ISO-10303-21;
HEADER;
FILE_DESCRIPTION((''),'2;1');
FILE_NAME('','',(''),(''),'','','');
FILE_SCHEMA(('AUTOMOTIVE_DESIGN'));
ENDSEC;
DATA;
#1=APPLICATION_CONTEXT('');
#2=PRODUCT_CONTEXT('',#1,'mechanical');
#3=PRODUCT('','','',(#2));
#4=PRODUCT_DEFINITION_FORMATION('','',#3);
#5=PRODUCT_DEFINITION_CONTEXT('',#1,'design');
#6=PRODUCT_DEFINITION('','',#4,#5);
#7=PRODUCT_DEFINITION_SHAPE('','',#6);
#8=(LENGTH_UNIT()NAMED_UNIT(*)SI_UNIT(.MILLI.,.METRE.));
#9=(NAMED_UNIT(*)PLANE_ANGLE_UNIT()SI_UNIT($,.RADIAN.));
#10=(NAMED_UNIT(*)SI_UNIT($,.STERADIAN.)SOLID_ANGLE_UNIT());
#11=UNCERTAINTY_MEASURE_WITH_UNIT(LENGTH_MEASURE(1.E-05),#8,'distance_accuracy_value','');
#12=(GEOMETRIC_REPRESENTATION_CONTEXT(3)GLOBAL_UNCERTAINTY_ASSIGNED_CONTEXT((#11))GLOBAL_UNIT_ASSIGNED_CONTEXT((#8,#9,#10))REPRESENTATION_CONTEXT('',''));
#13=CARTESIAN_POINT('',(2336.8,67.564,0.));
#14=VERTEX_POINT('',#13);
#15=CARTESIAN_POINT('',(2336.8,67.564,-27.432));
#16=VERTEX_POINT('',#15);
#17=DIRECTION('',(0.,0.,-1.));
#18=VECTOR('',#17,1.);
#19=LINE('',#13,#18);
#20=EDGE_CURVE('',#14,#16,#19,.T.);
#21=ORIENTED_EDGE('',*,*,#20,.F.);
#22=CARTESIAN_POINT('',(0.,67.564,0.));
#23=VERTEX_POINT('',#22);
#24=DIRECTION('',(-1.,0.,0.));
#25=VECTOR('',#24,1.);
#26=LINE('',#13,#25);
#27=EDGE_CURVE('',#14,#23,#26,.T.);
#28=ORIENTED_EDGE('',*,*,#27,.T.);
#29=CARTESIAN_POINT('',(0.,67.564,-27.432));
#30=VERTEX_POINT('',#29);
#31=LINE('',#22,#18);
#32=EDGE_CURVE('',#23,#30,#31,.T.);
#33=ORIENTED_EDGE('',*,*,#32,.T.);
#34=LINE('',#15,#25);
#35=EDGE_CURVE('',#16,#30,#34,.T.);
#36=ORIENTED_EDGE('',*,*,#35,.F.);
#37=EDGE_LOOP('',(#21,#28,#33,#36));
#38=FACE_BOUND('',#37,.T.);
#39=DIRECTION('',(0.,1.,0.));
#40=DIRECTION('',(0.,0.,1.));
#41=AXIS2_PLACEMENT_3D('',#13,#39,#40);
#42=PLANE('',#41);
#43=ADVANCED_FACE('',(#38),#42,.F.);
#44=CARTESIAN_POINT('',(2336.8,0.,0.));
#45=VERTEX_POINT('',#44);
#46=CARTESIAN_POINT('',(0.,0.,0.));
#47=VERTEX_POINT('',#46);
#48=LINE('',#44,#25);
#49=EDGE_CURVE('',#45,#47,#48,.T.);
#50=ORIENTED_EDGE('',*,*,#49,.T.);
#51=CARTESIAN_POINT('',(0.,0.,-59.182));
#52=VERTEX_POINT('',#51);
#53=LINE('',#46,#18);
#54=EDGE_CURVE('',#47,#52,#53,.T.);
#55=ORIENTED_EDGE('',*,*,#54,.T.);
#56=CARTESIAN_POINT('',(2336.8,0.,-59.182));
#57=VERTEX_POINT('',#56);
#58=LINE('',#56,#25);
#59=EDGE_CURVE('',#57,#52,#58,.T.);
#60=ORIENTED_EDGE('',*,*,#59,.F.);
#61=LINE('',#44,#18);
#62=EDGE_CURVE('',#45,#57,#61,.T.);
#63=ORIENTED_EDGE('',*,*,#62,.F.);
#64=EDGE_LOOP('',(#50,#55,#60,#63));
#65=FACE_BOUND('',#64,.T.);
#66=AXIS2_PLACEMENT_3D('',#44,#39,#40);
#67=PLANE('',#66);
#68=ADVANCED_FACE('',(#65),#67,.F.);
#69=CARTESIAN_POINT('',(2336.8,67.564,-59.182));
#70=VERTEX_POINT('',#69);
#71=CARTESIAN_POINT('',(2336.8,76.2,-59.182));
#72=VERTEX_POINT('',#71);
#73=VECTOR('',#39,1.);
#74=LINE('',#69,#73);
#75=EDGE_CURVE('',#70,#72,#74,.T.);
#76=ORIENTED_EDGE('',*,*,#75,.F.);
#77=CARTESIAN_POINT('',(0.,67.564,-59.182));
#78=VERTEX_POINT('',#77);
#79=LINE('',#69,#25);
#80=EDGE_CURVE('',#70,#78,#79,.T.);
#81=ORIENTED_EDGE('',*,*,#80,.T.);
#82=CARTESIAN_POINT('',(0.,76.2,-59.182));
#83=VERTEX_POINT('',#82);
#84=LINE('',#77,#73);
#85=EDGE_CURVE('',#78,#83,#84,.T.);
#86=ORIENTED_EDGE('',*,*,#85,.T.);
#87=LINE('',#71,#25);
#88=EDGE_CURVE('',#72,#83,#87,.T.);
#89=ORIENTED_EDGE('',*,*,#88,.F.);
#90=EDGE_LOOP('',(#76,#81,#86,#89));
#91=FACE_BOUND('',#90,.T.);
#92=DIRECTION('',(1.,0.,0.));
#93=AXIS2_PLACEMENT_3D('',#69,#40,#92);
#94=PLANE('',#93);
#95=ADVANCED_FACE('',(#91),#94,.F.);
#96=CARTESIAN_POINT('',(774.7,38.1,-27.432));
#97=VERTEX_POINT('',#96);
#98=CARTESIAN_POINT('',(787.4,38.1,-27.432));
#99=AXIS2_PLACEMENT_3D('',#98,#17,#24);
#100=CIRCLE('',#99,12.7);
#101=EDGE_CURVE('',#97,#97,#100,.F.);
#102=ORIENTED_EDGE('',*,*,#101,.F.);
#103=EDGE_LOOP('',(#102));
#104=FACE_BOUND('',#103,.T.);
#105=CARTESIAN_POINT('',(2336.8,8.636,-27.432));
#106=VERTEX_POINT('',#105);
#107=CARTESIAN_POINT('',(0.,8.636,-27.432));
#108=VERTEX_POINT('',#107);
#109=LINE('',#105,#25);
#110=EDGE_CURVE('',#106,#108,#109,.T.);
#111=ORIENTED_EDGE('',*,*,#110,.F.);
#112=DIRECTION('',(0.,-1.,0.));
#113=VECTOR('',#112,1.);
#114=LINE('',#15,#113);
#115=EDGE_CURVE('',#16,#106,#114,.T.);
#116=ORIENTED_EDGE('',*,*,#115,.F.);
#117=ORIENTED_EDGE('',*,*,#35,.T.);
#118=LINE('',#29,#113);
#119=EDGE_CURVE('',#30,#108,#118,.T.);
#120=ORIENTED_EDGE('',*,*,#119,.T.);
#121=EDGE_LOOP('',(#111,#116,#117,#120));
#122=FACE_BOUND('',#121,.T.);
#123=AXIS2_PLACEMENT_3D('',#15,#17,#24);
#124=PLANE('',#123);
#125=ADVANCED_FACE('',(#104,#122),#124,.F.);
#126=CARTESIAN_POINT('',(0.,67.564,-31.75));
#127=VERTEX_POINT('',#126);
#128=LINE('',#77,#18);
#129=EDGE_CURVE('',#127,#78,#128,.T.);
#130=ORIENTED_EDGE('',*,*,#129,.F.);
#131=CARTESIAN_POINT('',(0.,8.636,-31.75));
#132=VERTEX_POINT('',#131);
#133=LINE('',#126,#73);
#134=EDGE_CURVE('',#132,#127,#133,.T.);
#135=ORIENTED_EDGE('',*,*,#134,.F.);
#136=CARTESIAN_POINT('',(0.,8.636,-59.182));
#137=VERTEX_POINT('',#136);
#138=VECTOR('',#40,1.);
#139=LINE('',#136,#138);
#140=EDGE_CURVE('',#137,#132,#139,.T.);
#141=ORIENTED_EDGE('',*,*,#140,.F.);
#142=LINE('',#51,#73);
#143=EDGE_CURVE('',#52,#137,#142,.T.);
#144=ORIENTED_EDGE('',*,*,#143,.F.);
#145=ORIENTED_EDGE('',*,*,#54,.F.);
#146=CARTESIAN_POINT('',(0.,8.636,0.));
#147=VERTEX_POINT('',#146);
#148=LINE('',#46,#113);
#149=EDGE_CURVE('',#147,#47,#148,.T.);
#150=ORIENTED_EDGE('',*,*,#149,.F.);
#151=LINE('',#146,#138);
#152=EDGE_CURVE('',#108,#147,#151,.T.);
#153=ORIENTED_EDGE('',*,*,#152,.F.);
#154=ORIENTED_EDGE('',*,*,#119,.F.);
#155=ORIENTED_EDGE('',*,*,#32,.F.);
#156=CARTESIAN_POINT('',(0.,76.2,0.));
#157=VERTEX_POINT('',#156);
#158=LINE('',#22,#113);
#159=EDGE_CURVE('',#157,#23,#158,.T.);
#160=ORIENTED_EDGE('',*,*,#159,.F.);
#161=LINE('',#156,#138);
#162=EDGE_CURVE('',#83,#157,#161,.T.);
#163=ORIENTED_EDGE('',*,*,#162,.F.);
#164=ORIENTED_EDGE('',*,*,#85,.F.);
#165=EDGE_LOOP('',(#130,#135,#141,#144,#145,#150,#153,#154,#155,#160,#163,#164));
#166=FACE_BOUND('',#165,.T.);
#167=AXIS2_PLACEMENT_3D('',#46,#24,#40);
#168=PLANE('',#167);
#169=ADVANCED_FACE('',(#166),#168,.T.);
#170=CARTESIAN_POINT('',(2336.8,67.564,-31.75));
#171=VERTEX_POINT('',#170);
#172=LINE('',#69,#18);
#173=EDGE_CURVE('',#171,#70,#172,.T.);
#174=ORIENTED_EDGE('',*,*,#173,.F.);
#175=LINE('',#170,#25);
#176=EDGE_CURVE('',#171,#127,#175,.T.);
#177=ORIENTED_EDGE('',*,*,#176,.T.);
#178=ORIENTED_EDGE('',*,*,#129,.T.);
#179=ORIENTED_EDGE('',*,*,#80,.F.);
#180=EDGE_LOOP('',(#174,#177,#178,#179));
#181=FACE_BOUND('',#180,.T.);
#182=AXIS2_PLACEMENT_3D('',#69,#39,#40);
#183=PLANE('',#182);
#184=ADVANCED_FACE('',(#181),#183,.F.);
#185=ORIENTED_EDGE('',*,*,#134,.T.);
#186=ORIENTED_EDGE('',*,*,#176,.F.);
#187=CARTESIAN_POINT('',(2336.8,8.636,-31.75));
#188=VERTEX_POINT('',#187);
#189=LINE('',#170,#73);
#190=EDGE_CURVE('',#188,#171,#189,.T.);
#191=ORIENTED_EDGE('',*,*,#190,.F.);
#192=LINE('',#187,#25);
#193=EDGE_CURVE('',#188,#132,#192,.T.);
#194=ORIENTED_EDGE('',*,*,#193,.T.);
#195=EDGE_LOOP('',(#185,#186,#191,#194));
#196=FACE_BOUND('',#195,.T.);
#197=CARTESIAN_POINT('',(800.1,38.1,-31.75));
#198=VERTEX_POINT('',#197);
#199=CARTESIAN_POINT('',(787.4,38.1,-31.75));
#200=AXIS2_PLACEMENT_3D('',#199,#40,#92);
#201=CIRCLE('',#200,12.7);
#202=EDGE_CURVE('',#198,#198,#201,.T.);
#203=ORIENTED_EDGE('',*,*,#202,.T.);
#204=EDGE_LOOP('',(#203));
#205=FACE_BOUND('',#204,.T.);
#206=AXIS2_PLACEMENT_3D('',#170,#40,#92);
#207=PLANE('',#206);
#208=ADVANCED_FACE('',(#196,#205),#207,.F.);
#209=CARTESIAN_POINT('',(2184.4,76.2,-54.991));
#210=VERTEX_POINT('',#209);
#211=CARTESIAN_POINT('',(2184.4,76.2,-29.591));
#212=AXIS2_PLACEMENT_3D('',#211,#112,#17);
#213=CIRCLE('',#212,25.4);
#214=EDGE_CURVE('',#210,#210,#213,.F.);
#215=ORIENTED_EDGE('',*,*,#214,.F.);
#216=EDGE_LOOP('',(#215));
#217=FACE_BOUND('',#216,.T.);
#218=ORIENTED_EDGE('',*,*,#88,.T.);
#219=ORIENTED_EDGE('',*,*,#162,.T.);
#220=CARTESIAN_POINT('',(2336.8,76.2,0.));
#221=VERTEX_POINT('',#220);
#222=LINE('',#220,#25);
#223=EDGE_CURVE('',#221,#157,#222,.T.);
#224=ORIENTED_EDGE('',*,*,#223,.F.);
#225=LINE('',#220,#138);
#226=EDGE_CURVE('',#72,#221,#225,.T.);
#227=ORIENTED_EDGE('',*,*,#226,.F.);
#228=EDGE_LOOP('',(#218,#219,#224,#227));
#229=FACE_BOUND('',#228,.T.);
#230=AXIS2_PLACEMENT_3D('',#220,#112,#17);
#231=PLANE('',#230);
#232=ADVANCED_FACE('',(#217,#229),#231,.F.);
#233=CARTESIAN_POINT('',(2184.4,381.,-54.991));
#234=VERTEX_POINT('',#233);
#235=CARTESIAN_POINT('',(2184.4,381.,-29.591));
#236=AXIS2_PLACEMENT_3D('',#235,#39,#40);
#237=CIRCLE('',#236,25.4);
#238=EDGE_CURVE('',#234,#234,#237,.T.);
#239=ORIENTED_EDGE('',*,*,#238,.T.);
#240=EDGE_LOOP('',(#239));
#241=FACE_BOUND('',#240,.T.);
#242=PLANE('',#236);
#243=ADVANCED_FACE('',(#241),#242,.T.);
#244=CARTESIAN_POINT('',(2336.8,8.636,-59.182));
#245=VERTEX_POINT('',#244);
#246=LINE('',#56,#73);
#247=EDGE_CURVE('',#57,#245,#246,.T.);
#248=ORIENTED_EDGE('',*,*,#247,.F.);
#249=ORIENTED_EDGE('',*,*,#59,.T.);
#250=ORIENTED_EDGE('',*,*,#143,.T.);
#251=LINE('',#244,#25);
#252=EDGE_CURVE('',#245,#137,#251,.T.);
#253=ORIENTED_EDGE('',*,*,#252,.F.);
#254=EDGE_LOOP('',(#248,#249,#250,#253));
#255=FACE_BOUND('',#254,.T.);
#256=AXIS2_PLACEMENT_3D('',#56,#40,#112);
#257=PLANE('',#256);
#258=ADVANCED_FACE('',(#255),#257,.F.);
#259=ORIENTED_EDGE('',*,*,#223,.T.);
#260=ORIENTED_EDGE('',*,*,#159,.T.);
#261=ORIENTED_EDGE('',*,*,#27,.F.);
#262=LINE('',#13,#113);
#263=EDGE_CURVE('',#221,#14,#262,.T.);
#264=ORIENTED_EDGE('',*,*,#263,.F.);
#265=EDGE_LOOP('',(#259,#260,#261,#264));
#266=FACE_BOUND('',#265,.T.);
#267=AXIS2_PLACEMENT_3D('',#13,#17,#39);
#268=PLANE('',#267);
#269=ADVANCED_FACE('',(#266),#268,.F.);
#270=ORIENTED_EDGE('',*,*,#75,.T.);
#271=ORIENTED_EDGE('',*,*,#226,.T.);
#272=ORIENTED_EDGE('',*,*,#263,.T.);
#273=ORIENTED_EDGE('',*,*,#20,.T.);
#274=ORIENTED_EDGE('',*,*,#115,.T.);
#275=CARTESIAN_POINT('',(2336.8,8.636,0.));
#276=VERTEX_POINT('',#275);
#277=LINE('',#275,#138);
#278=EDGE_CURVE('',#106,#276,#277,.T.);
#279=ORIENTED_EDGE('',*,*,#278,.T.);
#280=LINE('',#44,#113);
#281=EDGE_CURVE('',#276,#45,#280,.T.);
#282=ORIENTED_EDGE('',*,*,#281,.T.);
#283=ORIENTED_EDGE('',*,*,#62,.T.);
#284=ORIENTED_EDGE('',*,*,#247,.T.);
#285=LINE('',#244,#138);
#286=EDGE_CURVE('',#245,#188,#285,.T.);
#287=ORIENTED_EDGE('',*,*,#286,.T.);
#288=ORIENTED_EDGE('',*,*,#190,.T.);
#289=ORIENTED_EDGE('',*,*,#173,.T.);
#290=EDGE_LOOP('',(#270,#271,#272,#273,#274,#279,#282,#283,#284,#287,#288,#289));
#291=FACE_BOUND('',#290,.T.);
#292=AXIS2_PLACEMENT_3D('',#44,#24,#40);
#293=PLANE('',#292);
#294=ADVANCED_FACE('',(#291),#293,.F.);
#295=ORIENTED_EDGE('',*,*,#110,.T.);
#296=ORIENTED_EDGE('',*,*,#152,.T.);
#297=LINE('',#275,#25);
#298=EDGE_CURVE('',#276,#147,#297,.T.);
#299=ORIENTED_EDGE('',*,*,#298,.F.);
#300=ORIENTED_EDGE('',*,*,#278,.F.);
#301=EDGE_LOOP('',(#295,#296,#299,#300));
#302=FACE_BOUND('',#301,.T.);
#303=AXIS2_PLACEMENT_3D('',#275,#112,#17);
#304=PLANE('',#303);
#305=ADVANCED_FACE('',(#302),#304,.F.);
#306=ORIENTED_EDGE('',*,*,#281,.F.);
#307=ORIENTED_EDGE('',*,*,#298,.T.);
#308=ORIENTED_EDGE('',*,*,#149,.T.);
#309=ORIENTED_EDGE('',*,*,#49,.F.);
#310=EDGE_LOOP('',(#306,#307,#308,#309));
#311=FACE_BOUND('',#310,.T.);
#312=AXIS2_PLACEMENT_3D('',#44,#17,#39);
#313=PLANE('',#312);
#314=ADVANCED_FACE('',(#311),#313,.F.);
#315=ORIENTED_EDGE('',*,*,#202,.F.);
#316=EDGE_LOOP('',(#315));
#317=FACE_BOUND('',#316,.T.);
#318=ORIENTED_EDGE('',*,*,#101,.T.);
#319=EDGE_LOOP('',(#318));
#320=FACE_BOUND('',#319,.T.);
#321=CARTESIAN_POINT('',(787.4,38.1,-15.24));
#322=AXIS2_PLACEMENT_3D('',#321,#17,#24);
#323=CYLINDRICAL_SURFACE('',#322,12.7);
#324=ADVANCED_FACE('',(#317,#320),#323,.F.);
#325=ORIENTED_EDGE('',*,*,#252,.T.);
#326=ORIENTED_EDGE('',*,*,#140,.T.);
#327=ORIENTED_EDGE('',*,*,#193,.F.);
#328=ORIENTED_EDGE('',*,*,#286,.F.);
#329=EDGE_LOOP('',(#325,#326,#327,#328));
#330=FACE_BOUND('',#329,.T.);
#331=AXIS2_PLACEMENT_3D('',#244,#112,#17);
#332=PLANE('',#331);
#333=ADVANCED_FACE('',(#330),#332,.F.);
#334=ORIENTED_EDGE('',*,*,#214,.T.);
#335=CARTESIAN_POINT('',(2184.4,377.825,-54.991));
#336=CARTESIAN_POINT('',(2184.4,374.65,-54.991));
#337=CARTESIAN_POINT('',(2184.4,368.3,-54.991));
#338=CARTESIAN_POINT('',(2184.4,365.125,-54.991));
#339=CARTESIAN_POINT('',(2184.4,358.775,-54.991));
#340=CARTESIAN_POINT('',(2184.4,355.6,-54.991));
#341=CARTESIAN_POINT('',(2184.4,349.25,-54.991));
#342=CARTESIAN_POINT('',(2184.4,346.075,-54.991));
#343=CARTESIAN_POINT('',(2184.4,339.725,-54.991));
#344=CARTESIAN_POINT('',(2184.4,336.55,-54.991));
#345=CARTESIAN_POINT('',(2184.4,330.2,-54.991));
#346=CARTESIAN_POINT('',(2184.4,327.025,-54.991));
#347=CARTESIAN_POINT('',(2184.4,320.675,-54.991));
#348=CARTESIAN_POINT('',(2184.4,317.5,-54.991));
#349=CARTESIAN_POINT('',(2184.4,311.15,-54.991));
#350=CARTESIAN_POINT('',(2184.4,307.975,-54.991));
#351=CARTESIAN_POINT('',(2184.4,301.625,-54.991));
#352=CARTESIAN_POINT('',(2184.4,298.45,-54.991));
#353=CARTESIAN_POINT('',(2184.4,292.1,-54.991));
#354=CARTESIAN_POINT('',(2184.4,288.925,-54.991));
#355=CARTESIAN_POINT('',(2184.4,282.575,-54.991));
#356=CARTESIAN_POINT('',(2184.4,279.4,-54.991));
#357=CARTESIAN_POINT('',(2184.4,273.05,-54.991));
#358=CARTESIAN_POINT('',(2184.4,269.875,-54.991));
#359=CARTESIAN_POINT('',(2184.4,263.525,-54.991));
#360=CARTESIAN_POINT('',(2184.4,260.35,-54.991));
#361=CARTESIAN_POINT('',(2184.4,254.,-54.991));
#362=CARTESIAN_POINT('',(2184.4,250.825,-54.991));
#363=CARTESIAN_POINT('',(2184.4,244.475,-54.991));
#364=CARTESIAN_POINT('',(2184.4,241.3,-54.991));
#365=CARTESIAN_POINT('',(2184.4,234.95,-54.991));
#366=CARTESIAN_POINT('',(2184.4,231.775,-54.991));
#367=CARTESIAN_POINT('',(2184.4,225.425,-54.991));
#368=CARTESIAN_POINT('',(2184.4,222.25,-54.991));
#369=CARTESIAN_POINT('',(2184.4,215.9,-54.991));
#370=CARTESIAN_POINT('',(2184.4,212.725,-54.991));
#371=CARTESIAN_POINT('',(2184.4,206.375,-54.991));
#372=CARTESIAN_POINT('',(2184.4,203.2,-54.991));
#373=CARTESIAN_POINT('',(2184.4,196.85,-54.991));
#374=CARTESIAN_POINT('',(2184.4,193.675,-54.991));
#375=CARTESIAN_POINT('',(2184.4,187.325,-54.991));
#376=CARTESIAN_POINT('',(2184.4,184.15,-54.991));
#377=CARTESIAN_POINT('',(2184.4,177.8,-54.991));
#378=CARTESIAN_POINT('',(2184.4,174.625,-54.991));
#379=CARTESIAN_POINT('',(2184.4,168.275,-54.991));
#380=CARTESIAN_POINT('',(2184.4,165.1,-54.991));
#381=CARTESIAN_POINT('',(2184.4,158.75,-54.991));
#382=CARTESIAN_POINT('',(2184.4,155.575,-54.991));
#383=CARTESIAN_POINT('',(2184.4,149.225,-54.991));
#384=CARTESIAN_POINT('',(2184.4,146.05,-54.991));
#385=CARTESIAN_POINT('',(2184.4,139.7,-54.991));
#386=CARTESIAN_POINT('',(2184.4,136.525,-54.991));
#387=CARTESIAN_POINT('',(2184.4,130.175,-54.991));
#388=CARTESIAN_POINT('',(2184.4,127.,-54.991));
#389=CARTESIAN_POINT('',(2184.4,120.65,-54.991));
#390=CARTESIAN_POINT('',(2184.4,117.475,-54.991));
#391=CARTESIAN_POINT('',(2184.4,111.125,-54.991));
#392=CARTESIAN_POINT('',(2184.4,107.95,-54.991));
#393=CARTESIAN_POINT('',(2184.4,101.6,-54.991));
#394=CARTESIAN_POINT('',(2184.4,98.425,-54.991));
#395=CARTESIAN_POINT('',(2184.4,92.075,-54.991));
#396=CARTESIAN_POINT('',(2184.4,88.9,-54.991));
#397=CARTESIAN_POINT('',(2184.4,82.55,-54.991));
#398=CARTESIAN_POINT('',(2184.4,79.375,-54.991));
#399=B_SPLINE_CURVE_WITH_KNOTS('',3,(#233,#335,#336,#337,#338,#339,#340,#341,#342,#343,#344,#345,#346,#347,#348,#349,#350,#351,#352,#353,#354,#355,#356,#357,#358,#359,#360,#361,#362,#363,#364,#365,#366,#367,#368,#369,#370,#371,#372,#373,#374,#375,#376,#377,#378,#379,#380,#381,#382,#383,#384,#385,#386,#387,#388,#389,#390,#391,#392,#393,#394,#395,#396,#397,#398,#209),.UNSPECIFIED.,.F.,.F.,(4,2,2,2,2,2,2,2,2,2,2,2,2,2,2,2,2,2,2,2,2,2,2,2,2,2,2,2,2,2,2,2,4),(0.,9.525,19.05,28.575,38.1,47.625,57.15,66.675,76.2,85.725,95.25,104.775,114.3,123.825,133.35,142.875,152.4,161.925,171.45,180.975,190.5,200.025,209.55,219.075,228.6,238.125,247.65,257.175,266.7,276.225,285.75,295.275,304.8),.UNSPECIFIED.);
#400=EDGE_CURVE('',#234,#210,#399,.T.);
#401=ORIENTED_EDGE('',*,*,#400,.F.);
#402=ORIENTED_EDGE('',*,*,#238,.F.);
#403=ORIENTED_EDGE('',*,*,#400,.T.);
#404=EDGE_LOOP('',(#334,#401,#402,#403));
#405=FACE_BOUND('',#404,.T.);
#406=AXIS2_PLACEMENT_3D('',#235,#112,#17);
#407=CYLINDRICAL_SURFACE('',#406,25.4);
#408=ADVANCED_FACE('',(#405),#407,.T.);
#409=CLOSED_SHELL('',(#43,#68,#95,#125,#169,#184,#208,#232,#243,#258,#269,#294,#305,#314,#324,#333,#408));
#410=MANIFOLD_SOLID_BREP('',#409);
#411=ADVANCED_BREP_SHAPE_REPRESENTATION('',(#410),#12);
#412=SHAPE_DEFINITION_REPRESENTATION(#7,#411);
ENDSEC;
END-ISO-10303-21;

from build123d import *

# Parameters (mm, degrees)
BOSS_EXTRUDE1_DEPTH = 2336.8
SKETCH3_R           = 25.4
BOSS_EXTRUDE2_DEPTH = 304.8
SKETCH4_R           = 12.7
CUT_EXTRUDE2_DEPTH  = 16.51


with BuildPart() as part:
    # Sketch1 → Boss-Extrude1 (new body)
    with BuildSketch(Plane(origin=(0, 0, 0), x_dir=(0, 0, -1), z_dir=(1, 0, 0))):
        Polygon((59.182, 67.564), (59.182, 76.2), (0, 76.2), (0, 67.564), (27.432, 67.564), (27.432, 8.636), (0, 8.636), (0, 0), (59.182, 0), (59.182, 8.636), (31.75, 8.636), (31.75, 67.564), align=None)
    extrude(amount=BOSS_EXTRUDE1_DEPTH)

    # Sketch3 → Boss-Extrude2 (add)
    with BuildSketch(Plane(origin=(0, 76.2, 0), x_dir=(1, 0, 0), z_dir=(0, 1, 0))):
        with Locations(Location((2184.4, 29.591, 0), (0, 0, 90))):
            Circle(SKETCH3_R)
    extrude(amount=BOSS_EXTRUDE2_DEPTH)

    # Sketch4 → Cut-Extrude2 (cut)
    with BuildSketch(Plane.XY.offset(-31.75)):
        with Locations(Location((787.4, 38.1, 0), (0, 0, 180))):
            Circle(SKETCH4_R)
    extrude(amount=CUT_EXTRUDE2_DEPTH, mode=Mode.SUBTRACT)


solid = part.part
